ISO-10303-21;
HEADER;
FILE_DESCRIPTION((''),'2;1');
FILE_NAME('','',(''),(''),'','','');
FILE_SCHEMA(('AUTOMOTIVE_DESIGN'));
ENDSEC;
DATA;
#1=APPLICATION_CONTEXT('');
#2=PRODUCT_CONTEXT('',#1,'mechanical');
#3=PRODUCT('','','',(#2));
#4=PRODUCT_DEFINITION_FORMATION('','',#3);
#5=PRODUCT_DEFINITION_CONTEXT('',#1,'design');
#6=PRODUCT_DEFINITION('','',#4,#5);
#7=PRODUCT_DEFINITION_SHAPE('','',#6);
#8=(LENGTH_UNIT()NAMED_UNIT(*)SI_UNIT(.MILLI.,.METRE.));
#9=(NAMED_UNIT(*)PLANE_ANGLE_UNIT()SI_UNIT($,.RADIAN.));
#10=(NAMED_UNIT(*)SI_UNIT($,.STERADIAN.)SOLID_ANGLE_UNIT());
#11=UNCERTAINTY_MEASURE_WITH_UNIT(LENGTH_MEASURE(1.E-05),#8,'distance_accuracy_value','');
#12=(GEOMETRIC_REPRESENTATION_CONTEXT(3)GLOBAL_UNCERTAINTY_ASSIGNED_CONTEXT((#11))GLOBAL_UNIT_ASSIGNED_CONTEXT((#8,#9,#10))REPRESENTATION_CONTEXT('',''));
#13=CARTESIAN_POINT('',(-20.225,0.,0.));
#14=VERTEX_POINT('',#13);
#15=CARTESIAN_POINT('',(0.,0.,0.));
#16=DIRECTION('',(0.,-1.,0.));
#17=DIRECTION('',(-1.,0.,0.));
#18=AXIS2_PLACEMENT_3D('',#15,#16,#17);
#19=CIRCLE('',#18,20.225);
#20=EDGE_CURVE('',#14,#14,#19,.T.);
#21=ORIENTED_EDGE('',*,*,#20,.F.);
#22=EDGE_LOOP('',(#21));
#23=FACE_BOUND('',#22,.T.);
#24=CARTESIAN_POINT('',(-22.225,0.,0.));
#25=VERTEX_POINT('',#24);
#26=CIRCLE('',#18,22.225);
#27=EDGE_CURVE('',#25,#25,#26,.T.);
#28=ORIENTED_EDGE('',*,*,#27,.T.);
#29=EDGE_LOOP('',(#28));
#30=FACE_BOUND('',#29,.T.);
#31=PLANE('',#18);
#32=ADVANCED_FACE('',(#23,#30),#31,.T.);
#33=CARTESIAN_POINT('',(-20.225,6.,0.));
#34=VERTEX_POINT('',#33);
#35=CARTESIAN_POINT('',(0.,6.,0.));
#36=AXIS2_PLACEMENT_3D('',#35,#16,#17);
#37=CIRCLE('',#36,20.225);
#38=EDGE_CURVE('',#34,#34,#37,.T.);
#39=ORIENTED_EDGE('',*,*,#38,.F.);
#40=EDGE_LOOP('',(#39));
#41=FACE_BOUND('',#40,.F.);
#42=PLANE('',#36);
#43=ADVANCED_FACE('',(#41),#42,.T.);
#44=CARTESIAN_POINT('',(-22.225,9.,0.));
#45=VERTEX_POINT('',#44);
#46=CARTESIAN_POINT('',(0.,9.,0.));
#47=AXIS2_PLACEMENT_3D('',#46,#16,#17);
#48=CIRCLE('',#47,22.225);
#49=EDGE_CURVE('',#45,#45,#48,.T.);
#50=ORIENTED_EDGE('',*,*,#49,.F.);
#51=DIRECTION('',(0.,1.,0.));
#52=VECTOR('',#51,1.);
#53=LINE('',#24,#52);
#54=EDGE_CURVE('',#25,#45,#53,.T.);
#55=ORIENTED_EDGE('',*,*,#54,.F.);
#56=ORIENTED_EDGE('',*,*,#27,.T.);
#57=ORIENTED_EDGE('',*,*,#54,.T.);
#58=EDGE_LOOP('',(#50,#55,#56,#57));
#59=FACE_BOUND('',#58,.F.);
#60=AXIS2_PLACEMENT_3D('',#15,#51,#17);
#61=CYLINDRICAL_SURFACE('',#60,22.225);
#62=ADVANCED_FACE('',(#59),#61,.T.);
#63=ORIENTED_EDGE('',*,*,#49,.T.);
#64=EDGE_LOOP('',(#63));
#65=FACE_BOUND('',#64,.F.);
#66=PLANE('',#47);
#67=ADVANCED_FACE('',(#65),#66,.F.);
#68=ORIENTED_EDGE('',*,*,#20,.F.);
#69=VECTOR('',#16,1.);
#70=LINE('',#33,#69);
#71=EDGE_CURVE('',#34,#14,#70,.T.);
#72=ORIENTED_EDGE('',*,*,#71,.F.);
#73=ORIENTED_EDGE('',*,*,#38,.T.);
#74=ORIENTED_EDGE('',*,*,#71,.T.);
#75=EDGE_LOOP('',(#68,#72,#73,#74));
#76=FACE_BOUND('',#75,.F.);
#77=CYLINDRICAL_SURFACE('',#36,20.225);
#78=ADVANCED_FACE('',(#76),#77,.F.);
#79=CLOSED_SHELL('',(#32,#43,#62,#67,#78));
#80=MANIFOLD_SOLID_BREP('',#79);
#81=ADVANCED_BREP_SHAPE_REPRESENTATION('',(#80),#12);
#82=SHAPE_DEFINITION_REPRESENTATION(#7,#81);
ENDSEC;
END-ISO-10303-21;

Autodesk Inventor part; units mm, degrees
ref_plane "YZ Plane" through (0, 0, 0) normal (1, 0, 0) x (0, 1, 0)
ref_plane "XZ Plane" through (0, 0, 0) normal (0, 1, 0) x (-1, 0, 0)
ref_plane "XY Plane" through (0, 0, 0) normal (0, 0, 1) x (1, 0, 0)
sketch "Sketch1" plane through (0, 0, 0) normal (0, 0, 1) x (1, 0, 0)
  line L0 (-19.225, -15) -> (-22.225, -15) construction
  line L1 (-22.225, -15) -> (-22.225, -5) construction
  line L2 (-22.225, -5) -> (-19.225, -5) construction
  line L3 (-19.225, -5) -> (-19.225, -15) construction
  line L4 (-20.225, 6) -> (-20.225, 0)
  line L5 (-22.225, 0) -> (-22.225, 9)
  line L6 (-22.225, 9) -> (0, 9)
  line L7 (0, 9) -> (0, 6)
  line L8 (0, 6) -> (-20.225, 6)
  line L9 (-19.225, -5) -> (-20.225, -5) construction
  line L10 (-20.225, -5) -> (-20.225, 0) construction
  line L11 (-20.225, 0) -> (-19.225, 0) construction
  line L12 (-19.225, 0) -> (-19.225, -5) construction
  line L13 (-22.225, 0) -> (-20.225, 0)
  point P0 (0, 0)
  point P1 (-19.225, 0)
  dimension "d0" = 10
  dimension "d1" = 22.225
  dimension "d3" = 3
  dimension "d16" = 3
  dimension "d17" = 1
  dimension "d18" = 5
  dimension "d19" = 6
revolve "Revolution1" add sketch "Sketch1" angle 360 about axis through (0, 9, 0) along (0, -1, 0)
properties part number "CapCenter" material "Brass, Soft Yellow, Welded"
